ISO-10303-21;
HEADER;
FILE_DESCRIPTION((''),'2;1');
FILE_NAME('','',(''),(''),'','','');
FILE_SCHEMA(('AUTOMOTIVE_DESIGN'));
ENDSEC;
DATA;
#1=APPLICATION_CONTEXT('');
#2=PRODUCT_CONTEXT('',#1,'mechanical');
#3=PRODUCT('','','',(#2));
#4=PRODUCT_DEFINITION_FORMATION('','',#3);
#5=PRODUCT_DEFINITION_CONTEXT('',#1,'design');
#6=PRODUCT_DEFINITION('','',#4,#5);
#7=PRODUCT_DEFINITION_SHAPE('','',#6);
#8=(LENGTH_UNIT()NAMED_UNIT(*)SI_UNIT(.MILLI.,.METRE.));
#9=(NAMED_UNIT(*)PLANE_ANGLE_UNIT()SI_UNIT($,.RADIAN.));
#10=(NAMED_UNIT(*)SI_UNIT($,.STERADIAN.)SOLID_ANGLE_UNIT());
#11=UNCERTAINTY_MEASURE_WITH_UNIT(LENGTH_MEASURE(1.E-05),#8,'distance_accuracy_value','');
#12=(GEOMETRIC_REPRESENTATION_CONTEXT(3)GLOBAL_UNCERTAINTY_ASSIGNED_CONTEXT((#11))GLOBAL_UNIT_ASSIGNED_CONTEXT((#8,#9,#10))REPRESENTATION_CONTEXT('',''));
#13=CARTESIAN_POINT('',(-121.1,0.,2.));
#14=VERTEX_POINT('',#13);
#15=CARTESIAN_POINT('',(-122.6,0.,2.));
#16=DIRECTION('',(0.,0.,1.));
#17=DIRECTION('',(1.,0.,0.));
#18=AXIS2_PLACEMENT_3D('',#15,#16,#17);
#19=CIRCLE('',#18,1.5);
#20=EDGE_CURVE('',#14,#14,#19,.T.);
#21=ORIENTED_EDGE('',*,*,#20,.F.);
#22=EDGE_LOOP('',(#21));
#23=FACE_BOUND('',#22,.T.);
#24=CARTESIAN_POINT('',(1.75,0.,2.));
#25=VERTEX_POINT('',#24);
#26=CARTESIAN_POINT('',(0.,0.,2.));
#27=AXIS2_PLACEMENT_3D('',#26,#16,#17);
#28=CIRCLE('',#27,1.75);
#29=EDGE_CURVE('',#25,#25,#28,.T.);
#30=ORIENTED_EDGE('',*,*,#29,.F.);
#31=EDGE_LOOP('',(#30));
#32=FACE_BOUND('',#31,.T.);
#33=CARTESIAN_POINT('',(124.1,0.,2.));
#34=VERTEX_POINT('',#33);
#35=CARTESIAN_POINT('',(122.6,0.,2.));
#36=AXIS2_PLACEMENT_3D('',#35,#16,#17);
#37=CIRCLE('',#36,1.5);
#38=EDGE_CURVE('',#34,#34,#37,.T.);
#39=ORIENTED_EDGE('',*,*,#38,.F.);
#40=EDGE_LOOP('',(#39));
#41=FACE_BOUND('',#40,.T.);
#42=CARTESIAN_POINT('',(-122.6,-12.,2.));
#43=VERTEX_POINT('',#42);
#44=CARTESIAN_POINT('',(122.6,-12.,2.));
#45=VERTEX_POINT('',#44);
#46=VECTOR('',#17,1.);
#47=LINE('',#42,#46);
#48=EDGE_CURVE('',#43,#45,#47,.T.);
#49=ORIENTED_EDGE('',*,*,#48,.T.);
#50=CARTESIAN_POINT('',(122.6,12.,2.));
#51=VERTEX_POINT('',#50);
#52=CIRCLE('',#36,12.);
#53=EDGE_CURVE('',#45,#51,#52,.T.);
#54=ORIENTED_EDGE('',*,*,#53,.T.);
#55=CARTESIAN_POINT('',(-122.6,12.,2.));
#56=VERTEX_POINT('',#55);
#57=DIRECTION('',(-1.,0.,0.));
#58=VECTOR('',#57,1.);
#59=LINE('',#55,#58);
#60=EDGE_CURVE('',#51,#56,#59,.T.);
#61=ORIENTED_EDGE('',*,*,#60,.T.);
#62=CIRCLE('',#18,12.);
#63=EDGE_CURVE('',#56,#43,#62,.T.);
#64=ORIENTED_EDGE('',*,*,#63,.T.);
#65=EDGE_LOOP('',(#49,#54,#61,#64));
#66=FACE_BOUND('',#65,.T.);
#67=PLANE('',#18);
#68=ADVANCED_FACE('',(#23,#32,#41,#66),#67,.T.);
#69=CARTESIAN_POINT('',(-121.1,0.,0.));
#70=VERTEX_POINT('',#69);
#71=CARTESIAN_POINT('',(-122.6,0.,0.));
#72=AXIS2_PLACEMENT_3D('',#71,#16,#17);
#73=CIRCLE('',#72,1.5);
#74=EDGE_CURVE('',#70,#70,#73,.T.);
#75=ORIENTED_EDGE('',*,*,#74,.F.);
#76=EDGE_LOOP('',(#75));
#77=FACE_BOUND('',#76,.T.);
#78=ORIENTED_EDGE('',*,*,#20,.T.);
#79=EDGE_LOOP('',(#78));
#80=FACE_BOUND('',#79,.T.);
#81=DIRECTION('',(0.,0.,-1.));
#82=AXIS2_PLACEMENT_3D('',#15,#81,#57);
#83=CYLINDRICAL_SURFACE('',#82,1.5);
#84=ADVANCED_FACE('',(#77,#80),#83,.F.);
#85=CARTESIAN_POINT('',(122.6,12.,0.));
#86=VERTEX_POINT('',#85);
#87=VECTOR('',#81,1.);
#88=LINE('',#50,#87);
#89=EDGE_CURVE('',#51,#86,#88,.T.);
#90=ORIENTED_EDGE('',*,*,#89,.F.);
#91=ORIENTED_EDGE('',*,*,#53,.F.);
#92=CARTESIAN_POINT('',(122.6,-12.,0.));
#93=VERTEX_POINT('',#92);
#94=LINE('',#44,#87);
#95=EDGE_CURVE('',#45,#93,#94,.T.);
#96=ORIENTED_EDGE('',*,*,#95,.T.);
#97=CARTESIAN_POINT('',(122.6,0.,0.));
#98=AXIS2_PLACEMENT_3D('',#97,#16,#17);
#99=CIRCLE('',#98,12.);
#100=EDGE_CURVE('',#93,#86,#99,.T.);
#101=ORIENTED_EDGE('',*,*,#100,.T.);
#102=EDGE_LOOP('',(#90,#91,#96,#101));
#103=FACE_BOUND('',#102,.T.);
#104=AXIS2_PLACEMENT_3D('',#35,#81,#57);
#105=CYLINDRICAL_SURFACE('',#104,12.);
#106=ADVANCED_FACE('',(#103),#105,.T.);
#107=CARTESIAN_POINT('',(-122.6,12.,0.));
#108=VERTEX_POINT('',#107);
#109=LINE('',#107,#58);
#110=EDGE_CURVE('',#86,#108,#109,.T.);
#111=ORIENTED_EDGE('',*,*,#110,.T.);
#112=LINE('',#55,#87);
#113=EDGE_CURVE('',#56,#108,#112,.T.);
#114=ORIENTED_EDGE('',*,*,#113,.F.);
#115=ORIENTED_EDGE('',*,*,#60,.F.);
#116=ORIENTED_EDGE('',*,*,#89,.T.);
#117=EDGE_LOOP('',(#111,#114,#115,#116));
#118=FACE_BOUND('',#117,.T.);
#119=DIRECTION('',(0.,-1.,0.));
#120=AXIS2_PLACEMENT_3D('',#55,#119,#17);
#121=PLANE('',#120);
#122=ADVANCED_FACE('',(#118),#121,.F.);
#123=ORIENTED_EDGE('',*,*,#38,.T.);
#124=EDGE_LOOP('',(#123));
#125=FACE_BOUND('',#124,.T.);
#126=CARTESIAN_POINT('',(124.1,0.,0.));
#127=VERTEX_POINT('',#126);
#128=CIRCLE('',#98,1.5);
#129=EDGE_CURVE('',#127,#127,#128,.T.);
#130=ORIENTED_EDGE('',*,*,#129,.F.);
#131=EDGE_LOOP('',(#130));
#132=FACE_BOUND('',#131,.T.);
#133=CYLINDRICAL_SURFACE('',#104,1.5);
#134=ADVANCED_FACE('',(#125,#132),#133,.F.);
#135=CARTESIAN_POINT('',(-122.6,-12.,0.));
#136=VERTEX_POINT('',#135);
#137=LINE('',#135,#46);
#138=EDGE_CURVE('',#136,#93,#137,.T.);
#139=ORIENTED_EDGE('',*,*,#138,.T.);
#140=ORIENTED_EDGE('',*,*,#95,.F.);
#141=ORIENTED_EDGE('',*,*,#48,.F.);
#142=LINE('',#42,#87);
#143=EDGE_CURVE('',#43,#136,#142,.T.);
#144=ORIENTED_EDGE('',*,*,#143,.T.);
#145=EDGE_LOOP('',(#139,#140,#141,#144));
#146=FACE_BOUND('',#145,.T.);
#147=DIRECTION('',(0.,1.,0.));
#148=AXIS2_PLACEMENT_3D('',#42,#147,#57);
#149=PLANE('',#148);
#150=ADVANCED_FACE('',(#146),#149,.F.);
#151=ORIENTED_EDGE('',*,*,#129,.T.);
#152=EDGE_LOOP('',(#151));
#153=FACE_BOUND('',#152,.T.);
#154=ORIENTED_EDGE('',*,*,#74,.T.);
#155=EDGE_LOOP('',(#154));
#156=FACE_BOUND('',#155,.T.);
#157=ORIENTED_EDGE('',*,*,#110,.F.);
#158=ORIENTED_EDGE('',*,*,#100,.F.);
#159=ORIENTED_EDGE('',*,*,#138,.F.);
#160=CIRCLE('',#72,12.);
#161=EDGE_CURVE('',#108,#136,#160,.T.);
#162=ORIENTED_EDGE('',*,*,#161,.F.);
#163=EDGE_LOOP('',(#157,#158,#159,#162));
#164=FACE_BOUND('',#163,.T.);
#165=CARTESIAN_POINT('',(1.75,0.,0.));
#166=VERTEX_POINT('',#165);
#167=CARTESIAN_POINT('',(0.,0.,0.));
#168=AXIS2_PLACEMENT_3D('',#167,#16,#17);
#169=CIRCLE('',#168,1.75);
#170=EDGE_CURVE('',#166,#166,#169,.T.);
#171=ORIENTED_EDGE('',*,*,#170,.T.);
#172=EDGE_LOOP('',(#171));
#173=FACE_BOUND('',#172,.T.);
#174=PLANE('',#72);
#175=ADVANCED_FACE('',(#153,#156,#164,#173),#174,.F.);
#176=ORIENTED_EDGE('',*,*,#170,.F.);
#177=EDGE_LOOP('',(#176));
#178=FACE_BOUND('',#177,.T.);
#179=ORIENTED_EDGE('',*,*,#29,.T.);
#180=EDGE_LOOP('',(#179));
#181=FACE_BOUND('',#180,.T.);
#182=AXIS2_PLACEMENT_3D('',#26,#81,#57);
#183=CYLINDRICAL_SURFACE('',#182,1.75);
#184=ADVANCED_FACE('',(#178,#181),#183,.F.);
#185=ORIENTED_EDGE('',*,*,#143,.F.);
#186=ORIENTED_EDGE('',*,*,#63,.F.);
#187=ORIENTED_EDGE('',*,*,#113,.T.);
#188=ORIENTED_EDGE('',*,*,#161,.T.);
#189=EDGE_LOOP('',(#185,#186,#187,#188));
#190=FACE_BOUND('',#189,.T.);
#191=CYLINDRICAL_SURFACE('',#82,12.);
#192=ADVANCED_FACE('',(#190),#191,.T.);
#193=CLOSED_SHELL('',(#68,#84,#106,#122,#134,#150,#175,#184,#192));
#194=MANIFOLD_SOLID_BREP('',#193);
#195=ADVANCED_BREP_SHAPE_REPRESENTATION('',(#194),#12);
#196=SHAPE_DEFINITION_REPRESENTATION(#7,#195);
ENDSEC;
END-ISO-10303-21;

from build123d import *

# Parameters (mm, degrees)
SKETCH1_R           = 1.5
SKETCH1_R_2         = 1.75
BOSS_EXTRUDE1_DEPTH = 2


with BuildPart() as part:
    # Sketch1 → Boss-Extrude1 (new body)
    with BuildSketch(Plane.XY):
        with BuildLine():
            Line((-122.6, 12), (122.6, 12))
            ThreePointArc((122.6, 12), (134.6, 0), (122.6, -12))
            Line((122.6, -12), (-122.6, -12))
            ThreePointArc((-122.6, -12), (-134.6, 0), (-122.6, 12))
        make_face()
        with Locations((-122.6, 0)):
            Circle(SKETCH1_R, mode=Mode.SUBTRACT)
        Circle(SKETCH1_R_2, mode=Mode.SUBTRACT)
        with Locations((122.6, 0)):
            Circle(SKETCH1_R, mode=Mode.SUBTRACT)
    extrude(amount=BOSS_EXTRUDE1_DEPTH)


solid = part.part
